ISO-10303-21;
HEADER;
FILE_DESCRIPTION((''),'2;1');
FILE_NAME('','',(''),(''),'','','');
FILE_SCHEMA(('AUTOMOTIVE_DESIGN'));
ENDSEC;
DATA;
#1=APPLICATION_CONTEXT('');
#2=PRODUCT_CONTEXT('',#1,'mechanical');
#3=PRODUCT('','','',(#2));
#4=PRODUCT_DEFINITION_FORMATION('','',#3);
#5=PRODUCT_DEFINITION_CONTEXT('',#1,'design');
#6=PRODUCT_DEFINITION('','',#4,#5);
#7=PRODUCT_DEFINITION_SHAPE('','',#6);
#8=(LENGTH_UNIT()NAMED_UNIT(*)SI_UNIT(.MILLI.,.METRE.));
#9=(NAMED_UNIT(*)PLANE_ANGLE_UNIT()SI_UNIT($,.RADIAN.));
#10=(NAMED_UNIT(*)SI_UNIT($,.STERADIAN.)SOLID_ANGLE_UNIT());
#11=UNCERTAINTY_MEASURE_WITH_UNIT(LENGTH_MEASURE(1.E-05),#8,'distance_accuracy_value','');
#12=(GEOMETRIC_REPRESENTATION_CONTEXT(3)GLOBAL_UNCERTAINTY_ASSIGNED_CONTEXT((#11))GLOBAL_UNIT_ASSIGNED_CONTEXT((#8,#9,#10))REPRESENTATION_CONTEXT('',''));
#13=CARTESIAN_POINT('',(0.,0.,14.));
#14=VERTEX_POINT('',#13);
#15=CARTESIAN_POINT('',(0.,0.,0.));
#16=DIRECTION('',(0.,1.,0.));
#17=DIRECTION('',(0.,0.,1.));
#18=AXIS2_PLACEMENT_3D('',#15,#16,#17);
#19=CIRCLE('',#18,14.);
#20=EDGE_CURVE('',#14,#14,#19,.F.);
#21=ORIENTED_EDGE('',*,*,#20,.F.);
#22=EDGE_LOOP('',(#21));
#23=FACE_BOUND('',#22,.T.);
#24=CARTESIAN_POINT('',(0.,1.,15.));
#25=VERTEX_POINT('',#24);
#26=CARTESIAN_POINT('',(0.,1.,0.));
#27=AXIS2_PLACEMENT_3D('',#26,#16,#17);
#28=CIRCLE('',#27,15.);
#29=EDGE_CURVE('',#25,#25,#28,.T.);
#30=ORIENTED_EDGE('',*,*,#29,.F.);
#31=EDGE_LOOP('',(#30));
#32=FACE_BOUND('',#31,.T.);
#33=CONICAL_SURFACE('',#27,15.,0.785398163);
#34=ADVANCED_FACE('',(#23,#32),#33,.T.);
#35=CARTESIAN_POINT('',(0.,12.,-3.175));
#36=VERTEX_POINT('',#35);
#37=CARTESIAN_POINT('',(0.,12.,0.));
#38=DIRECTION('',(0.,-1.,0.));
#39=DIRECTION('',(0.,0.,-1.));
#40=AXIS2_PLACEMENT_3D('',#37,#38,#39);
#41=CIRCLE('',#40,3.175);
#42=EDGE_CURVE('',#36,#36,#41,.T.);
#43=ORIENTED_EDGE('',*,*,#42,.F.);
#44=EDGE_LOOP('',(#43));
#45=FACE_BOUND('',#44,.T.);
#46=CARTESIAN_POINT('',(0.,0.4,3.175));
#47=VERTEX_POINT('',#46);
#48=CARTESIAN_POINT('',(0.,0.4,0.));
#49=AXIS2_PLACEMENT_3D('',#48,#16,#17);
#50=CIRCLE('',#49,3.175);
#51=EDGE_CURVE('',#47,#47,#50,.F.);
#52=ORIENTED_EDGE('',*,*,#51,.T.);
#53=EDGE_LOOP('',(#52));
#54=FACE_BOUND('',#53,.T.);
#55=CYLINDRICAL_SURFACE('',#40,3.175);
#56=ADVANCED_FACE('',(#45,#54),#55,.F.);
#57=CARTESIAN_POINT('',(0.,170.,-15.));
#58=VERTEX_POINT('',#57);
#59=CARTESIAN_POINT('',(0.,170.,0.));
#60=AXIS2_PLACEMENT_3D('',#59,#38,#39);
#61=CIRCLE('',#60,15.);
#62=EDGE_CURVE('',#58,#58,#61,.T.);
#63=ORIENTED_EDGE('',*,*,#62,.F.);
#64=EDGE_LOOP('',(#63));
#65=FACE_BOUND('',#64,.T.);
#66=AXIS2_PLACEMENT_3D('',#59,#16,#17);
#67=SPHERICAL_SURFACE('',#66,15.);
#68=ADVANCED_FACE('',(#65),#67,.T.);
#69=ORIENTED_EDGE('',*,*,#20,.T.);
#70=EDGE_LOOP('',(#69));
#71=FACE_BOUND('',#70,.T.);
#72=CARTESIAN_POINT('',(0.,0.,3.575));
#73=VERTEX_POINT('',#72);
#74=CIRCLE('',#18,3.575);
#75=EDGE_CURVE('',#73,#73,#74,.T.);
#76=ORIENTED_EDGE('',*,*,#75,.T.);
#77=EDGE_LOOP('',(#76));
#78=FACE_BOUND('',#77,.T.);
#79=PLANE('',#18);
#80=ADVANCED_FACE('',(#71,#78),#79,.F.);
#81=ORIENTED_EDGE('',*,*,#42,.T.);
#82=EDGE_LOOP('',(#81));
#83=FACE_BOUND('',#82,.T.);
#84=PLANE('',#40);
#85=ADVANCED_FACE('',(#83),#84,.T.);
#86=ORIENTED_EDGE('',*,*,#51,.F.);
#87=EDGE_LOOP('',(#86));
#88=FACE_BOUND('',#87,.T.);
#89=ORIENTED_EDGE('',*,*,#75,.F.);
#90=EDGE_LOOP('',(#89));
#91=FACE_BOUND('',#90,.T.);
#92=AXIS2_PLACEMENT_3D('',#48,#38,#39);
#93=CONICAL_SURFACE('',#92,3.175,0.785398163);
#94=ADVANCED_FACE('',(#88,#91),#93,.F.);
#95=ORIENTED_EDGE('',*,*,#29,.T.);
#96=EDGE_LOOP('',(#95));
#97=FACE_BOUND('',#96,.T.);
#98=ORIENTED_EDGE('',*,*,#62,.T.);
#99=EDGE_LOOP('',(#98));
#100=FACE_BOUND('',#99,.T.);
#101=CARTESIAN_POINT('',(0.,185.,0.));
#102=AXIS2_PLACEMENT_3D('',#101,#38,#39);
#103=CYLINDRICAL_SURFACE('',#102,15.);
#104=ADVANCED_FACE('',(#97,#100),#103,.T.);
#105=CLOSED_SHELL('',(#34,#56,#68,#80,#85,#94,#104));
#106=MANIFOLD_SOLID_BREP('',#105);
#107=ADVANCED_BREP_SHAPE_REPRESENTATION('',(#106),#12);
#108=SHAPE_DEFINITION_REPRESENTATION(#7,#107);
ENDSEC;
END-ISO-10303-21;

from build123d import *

# Parameters (mm, degrees)
SKETCH1_R           = 15
BOSS_EXTRUDE1_DEPTH = 185
FILLET1_R           = 15
SKETCH2_R           = 3.175
CUT_EXTRUDE1_DEPTH  = 12
CHAMFER1_SIZE       = 0.4
CHAMFER2_SIZE       = 1


with BuildPart() as part:
    # Sketch1 → Boss-Extrude1 (new body)
    with BuildSketch(Plane(origin=(0, 0, 0), x_dir=(1, 0, 0), z_dir=(0, 1, 0))):
        with Locations(Location((0, 0, 0), (0, 0, 270))):
            Circle(SKETCH1_R)
    extrude(amount=BOSS_EXTRUDE1_DEPTH)

    # Fillet1
    fillet1_edges = [part.edges().sort_by_distance(p)[0] for p in [
        (0, 185, -15),
    ]]
    fillet(fillet1_edges, radius=FILLET1_R)

    # Sketch2 → Cut-Extrude1 (cut)
    with BuildSketch(Plane.XZ):
        with Locations(Location((0, 0, 0), (0, 0, 270))):
            Circle(SKETCH2_R)
    extrude(amount=-CUT_EXTRUDE1_DEPTH, mode=Mode.SUBTRACT)

    # Chamfer1
    chamfer1_edges = [part.edges().sort_by_distance(p)[0] for p in [
        (0, 0, 3.175),
    ]]
    chamfer(chamfer1_edges, length=CHAMFER1_SIZE)

    # Chamfer2
    chamfer2_edges = [part.edges().sort_by_distance(p)[0] for p in [
        (0, 0, -15),
    ]]
    chamfer(chamfer2_edges, length=CHAMFER2_SIZE)


solid = part.part
